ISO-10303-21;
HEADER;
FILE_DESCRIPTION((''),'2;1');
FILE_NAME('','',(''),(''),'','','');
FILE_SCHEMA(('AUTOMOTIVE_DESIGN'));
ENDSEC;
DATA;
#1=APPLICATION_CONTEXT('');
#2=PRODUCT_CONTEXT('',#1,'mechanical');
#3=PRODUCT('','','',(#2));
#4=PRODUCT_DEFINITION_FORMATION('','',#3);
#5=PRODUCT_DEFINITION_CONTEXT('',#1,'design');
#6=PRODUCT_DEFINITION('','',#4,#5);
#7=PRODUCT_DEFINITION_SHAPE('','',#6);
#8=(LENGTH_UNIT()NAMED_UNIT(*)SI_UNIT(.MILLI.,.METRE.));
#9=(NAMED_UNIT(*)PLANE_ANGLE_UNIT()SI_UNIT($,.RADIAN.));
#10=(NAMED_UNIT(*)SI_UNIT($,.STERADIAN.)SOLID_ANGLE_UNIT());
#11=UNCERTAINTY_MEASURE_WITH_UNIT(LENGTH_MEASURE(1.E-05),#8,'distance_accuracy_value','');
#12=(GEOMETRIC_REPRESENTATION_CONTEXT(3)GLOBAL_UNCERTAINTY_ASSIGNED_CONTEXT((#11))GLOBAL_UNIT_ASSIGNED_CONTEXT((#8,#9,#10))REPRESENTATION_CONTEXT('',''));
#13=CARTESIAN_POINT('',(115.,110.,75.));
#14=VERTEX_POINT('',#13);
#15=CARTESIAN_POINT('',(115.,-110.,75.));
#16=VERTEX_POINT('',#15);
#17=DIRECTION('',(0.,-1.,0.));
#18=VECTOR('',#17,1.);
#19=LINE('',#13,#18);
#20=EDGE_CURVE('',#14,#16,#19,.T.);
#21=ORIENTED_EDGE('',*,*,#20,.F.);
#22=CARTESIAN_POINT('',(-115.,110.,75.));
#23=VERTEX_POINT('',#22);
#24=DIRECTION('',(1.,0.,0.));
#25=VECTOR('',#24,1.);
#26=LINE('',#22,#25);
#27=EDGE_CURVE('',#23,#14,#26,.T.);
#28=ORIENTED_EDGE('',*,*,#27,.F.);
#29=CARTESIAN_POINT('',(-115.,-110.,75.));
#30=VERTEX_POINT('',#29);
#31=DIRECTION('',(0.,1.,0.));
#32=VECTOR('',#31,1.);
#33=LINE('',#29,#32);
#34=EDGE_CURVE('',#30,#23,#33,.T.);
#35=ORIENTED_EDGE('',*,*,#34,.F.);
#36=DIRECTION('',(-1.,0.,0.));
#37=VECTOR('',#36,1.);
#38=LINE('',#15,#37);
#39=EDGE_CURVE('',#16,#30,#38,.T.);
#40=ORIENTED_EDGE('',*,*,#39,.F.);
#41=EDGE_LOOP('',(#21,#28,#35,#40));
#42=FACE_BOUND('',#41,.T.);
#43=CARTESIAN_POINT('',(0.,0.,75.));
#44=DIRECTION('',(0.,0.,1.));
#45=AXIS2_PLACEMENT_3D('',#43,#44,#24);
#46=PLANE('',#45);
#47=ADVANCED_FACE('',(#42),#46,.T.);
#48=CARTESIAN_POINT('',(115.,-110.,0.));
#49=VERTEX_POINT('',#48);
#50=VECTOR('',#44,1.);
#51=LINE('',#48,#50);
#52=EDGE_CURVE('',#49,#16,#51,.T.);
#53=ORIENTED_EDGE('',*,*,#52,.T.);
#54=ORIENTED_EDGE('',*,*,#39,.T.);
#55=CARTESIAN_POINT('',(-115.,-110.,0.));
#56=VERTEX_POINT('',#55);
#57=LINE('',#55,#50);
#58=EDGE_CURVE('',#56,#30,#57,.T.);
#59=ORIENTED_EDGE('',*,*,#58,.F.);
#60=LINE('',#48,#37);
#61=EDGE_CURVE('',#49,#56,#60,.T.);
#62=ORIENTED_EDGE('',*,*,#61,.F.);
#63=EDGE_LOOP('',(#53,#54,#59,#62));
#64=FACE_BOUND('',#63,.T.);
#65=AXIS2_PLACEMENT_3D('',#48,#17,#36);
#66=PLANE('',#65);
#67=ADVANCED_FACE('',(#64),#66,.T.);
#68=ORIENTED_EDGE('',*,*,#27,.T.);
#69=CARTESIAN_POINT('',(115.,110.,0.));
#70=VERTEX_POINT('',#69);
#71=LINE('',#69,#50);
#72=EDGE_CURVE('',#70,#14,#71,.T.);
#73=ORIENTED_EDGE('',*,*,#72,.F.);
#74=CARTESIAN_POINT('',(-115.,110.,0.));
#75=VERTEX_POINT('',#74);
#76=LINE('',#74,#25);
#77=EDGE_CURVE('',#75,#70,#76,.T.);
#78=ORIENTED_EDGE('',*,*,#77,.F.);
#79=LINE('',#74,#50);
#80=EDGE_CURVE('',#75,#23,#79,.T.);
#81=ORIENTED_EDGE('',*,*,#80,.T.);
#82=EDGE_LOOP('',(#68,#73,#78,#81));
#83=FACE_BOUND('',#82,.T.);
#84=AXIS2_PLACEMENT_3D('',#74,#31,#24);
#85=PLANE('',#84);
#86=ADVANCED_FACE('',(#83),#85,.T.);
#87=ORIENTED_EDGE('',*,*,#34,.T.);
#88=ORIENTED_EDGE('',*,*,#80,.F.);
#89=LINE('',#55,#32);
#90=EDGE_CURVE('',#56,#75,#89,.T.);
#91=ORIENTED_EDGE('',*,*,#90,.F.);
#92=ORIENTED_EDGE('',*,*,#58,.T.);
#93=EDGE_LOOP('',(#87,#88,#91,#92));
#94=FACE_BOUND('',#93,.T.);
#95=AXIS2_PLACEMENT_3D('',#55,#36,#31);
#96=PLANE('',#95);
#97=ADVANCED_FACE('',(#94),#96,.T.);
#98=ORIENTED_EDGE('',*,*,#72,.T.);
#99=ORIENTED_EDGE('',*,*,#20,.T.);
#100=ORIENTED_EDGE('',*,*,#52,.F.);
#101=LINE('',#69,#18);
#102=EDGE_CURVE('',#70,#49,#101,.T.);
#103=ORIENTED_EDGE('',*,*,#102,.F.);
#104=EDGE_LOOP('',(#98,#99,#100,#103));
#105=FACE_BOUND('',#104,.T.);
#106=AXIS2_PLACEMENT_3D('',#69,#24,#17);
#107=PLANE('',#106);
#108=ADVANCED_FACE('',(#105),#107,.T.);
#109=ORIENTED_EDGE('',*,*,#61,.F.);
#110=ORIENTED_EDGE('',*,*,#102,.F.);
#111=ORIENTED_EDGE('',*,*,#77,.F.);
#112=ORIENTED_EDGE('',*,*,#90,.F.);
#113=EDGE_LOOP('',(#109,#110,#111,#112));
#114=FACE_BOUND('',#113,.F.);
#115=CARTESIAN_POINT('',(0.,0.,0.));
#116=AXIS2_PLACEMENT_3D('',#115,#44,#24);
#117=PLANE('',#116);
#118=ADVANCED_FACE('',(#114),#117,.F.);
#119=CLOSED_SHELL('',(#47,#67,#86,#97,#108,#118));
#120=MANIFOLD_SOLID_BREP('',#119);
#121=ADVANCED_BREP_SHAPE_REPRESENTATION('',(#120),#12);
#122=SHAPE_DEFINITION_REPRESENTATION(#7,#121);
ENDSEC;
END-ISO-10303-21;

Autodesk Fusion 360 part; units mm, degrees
sketch "Sketch1" plane through (0, 0, 0) normal (0, 0, 1) x (1, 0, 0)
  line L0 (115, -110) -> (-115, -110)
  line L1 (-115, -110) -> (-115, 110)
  line L2 (-115, 110) -> (115, 110)
  line L3 (115, 110) -> (115, -110)
  line L4 (115, -110) -> (-115, 110) construction
  line L5 (-115, -110) -> (115, 110) construction
  dimension "d1" = 230
  dimension "d2" = 220
extrude "Extrude1" add sketch "Sketch1" along normal blind 75
